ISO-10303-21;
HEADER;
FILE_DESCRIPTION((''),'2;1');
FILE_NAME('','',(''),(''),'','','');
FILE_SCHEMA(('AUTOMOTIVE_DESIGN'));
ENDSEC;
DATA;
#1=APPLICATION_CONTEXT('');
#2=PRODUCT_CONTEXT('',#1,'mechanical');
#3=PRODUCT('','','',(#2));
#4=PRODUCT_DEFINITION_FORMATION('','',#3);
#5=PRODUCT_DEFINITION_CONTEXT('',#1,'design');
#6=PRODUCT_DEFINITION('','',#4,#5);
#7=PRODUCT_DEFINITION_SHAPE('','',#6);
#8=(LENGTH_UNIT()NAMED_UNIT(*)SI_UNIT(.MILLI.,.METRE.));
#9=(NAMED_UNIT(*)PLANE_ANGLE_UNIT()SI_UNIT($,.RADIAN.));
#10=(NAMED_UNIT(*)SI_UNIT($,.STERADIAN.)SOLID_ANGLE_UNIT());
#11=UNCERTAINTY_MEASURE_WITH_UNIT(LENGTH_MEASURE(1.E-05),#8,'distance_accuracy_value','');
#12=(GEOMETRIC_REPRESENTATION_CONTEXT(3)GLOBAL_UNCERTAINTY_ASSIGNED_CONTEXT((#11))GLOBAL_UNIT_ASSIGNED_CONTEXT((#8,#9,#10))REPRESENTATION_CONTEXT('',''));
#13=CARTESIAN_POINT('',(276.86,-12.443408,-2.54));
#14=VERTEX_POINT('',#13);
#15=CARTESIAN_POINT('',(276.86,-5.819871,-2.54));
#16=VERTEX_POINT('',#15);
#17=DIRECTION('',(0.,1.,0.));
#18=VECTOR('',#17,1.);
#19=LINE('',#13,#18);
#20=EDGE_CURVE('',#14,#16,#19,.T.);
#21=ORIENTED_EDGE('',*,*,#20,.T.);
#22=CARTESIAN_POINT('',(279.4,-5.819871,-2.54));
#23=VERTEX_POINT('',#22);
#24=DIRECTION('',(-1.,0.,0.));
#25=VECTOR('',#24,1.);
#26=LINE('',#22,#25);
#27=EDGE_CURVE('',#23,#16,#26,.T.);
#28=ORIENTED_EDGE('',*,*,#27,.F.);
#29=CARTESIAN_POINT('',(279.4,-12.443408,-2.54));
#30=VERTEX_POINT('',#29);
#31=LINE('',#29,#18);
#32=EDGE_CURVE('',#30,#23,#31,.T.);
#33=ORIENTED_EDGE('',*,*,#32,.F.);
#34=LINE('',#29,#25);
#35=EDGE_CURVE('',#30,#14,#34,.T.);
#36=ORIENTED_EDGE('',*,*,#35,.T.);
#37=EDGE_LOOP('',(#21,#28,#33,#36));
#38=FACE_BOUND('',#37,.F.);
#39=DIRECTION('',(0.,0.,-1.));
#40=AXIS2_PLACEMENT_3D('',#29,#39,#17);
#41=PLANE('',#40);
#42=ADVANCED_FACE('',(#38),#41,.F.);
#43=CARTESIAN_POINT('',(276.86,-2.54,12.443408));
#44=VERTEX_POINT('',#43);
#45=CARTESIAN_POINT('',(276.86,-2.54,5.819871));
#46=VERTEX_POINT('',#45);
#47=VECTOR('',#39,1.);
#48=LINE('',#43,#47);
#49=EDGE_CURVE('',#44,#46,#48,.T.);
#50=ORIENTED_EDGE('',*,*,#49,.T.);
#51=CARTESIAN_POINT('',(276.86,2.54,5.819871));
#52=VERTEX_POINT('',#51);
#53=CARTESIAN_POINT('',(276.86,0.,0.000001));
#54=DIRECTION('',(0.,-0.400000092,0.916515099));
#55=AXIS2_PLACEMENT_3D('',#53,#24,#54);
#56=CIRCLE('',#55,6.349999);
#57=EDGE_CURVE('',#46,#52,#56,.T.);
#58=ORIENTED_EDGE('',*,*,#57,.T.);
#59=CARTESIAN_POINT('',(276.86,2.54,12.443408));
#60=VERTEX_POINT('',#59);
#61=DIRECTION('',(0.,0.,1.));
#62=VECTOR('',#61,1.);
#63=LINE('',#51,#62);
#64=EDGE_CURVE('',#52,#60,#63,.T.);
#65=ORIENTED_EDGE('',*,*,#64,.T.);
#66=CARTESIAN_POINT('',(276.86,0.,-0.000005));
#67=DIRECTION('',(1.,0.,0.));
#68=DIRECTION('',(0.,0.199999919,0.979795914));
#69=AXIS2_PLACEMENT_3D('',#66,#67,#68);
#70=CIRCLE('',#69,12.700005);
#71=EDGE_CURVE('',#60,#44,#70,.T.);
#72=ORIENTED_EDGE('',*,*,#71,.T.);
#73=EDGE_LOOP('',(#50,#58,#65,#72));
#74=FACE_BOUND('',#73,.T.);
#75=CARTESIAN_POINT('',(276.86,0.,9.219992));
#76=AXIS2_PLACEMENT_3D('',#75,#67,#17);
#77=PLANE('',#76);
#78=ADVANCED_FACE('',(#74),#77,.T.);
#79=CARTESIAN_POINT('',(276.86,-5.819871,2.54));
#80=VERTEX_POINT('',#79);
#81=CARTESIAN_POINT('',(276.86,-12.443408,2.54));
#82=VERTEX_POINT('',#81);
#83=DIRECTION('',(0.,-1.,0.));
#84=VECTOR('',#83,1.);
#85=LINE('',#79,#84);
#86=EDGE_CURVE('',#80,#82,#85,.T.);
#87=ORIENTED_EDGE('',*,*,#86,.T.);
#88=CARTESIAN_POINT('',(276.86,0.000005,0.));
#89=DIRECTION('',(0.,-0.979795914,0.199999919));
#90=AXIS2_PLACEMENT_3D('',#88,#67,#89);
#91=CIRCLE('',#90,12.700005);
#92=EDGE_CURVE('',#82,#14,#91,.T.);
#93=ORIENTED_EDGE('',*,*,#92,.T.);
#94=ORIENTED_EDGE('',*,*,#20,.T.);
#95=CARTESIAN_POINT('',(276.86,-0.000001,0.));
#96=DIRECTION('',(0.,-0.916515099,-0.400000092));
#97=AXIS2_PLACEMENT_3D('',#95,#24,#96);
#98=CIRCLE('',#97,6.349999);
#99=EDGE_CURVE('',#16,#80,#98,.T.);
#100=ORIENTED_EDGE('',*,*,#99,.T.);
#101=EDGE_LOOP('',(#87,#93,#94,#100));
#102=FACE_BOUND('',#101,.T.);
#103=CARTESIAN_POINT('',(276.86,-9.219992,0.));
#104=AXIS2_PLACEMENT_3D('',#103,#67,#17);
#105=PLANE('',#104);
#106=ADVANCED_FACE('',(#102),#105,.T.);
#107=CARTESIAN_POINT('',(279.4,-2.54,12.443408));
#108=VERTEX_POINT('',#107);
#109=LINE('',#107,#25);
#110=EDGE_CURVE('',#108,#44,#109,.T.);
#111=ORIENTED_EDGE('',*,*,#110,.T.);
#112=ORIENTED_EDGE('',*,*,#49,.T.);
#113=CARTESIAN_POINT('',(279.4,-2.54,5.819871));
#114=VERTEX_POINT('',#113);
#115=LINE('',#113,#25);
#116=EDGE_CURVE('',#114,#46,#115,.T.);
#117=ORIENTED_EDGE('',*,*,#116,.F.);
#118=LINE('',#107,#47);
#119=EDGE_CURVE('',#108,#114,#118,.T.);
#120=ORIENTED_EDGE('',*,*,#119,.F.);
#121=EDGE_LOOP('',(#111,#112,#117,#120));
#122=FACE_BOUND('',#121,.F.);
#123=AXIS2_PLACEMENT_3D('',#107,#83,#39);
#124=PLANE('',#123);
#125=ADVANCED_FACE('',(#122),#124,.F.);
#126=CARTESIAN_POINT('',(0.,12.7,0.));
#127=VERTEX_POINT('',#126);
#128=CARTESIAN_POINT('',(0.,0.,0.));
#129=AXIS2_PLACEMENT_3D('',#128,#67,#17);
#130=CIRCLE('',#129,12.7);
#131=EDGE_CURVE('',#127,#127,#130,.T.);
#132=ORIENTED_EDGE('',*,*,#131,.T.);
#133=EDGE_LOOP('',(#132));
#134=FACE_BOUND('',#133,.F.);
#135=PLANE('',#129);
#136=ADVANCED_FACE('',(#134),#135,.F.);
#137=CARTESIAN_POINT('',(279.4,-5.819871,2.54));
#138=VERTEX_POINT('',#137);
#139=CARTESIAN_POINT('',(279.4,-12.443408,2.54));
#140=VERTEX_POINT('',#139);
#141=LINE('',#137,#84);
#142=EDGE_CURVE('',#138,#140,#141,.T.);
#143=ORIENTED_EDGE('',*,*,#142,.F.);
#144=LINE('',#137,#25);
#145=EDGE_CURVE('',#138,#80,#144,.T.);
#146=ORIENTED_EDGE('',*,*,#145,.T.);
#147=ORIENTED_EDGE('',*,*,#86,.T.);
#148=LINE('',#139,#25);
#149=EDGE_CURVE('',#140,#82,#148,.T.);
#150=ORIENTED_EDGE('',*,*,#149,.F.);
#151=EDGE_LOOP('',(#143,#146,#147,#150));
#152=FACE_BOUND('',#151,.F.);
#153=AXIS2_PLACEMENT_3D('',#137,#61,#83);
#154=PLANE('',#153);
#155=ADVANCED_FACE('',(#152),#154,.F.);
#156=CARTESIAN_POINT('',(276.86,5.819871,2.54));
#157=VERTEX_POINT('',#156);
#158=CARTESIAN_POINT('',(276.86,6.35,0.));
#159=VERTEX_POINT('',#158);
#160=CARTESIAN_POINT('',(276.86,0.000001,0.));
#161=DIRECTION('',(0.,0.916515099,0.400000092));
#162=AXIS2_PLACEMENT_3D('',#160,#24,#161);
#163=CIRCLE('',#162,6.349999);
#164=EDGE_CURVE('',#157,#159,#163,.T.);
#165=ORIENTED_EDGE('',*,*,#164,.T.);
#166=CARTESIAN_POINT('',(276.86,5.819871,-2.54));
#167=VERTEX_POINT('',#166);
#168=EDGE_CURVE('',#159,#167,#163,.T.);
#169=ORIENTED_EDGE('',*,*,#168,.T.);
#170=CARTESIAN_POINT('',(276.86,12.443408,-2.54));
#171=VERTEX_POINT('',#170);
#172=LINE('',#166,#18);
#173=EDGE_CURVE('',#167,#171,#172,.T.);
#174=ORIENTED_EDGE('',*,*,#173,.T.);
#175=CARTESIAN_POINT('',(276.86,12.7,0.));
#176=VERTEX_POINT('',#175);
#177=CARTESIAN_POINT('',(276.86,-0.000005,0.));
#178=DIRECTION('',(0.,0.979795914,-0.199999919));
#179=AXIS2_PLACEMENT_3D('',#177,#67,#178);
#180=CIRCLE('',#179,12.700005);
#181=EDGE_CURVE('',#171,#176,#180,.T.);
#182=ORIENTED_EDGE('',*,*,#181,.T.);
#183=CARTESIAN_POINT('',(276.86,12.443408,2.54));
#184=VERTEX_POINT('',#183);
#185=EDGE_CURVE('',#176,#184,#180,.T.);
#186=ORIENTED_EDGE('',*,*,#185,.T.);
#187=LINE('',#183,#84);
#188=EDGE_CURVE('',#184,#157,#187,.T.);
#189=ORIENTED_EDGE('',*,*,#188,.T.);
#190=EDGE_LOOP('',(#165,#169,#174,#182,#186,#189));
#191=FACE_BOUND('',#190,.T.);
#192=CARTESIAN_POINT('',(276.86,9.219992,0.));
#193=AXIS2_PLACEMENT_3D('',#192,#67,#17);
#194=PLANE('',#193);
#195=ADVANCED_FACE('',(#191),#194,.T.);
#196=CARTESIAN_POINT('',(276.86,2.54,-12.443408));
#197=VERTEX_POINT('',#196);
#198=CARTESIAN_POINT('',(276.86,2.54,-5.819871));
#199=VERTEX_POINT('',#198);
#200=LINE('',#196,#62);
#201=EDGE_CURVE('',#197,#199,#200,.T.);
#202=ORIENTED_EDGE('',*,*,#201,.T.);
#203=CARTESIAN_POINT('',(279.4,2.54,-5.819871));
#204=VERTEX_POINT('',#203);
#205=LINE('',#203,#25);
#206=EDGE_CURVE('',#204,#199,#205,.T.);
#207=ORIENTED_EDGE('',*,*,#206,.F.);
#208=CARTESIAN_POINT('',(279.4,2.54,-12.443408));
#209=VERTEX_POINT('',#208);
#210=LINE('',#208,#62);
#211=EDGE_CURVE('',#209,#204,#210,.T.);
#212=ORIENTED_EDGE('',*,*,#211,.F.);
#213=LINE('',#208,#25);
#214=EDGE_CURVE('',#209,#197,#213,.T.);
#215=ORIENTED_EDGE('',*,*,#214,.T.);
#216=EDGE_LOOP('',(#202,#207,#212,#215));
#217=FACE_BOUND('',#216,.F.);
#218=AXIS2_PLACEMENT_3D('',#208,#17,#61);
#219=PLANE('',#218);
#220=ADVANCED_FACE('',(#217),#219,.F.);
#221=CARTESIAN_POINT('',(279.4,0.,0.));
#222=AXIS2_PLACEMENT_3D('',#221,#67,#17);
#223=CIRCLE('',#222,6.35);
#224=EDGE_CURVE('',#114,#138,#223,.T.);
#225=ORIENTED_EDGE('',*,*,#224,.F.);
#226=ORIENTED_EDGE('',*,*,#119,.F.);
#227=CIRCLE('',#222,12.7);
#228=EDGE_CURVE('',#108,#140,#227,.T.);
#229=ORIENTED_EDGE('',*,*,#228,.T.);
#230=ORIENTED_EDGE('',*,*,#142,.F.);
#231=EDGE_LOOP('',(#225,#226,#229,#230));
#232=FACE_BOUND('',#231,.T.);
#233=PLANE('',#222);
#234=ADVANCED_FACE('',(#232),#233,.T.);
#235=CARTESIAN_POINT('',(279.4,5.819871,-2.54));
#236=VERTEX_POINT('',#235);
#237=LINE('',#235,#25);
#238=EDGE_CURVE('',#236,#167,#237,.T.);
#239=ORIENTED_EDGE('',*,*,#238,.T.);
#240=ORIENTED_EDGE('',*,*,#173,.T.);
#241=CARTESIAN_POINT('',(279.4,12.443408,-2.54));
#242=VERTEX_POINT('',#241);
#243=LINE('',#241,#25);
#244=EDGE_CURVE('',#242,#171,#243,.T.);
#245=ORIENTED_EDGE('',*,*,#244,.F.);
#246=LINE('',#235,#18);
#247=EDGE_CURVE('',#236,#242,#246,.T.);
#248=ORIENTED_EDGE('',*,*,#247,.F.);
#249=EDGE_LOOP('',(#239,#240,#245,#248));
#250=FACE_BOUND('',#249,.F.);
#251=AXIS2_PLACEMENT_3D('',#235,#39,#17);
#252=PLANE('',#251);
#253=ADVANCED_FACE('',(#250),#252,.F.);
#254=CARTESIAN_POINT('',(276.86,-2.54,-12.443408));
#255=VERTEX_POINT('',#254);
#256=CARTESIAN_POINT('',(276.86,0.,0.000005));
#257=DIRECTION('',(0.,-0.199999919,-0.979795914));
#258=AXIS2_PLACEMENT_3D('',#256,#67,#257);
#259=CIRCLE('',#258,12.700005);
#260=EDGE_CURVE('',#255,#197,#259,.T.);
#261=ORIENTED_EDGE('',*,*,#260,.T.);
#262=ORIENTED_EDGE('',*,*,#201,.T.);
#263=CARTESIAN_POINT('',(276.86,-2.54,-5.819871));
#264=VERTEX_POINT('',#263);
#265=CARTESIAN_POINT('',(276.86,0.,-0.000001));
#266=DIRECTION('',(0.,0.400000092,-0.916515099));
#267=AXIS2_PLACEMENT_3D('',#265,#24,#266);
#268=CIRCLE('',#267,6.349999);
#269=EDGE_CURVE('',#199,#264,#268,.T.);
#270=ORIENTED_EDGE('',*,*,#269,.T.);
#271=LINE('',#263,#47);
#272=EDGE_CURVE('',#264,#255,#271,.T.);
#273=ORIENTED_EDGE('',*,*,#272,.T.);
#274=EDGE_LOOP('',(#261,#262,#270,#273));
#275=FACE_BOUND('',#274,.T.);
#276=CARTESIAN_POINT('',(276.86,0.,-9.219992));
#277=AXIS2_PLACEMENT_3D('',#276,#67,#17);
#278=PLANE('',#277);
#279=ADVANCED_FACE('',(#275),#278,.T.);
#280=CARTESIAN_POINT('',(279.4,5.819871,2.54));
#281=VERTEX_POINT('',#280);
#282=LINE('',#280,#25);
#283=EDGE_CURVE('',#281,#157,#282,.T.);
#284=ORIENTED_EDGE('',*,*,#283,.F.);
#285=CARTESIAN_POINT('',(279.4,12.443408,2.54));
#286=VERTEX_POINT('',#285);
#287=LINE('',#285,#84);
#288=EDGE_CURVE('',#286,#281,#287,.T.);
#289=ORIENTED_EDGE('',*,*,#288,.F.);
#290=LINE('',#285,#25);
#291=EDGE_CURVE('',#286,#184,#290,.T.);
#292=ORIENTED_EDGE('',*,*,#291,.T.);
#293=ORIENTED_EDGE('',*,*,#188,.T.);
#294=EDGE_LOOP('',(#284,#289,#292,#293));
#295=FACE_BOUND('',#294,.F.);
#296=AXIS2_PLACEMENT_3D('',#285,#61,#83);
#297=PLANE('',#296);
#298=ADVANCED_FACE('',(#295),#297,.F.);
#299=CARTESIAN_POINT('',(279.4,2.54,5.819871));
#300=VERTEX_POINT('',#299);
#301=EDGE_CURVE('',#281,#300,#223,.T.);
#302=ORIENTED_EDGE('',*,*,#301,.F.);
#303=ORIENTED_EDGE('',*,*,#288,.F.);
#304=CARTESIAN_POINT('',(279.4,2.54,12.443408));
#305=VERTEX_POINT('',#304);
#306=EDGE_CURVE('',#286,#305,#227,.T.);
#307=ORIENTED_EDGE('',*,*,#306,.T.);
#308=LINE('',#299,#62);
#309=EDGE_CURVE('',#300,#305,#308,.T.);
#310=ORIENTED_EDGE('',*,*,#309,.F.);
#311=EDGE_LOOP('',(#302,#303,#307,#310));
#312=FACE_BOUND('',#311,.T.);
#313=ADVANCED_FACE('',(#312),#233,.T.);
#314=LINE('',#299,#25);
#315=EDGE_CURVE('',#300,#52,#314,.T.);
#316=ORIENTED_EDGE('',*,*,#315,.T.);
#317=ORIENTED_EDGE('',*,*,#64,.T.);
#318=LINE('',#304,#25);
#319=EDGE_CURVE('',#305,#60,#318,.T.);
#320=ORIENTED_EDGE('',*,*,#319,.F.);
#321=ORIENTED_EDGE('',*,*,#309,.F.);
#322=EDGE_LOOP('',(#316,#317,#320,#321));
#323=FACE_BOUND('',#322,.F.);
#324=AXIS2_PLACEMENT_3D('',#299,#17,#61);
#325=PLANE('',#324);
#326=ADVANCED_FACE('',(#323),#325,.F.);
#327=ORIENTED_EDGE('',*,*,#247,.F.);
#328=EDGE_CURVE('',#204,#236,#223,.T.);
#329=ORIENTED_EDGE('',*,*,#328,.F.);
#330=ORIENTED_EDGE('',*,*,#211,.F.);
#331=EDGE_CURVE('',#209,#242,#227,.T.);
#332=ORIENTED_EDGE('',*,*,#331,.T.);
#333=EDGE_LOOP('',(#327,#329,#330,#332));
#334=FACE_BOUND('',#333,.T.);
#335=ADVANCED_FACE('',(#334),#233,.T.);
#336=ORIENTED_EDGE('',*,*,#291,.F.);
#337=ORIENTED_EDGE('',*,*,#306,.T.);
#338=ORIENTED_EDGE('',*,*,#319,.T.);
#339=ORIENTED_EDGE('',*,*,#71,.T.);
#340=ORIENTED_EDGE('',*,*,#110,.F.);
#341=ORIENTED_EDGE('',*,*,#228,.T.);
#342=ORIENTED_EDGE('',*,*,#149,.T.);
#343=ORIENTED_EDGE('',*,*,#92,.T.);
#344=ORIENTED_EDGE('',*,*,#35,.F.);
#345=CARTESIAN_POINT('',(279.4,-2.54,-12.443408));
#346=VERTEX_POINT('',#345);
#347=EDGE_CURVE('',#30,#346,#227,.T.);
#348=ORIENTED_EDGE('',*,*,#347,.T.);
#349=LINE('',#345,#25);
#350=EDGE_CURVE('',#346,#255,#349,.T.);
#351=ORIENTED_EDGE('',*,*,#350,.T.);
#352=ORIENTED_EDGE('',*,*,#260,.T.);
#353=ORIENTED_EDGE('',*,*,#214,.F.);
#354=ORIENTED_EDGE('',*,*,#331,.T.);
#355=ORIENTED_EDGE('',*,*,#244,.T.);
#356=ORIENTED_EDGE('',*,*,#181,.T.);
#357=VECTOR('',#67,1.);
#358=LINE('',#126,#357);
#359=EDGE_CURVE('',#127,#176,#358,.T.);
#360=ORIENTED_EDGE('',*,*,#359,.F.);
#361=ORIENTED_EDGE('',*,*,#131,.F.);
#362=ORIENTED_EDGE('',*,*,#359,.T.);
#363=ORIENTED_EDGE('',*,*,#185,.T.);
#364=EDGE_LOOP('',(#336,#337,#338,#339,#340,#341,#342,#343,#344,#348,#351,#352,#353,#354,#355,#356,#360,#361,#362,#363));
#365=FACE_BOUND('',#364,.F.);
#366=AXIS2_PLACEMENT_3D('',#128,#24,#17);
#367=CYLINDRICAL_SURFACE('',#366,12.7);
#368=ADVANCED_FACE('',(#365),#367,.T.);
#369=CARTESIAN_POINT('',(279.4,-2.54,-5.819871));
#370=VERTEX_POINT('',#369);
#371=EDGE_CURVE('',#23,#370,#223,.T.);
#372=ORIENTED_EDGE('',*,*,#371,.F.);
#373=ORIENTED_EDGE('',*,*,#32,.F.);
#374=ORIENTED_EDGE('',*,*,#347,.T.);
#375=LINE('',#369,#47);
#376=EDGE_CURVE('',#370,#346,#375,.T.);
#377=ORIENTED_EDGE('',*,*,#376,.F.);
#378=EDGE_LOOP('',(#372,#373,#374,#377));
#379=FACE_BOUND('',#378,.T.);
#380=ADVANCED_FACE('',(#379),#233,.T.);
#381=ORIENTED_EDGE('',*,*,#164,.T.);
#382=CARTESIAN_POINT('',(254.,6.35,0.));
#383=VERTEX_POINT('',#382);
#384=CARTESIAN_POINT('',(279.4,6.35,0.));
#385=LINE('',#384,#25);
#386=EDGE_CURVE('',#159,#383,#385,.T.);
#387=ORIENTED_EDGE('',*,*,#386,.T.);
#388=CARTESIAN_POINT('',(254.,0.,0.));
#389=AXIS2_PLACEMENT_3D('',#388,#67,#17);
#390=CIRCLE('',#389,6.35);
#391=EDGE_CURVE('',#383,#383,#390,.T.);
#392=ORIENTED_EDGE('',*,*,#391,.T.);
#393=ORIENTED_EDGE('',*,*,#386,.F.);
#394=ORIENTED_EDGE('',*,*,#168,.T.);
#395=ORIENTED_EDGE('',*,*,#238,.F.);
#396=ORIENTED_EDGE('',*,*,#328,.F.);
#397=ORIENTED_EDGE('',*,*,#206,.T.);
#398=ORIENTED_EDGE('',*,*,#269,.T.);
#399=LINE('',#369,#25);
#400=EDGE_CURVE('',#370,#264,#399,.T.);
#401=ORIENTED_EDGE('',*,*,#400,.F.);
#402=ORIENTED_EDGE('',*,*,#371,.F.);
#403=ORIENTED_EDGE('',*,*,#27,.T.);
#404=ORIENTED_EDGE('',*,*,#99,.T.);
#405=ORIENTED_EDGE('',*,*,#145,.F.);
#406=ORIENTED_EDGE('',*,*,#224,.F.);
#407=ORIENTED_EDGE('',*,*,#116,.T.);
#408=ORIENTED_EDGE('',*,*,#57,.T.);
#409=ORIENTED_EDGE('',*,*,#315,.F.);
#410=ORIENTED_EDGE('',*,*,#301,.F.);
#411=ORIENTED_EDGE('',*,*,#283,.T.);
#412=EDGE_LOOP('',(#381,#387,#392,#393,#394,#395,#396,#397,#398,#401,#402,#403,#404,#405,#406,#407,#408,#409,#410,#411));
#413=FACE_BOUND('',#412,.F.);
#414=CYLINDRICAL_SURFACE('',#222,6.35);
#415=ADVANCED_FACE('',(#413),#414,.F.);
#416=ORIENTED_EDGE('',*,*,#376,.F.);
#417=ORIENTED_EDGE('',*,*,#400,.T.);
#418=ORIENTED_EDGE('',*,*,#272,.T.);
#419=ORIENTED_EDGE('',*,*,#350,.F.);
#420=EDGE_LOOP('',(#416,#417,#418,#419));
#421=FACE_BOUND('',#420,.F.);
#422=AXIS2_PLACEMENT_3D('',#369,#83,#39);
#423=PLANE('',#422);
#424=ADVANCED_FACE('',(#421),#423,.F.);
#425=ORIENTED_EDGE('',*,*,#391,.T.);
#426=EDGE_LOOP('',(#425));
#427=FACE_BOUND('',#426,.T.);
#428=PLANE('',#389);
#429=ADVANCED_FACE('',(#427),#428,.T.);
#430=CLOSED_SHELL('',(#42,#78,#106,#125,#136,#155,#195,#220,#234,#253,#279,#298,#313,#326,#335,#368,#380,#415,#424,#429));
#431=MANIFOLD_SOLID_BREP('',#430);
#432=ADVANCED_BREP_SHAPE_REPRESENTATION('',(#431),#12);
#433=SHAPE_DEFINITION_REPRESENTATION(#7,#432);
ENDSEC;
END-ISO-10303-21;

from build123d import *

# Parameters (mm, degrees)
F0_R     = 12.7
F1_DEPTH = 279.4
F2_R     = 6.35
F3_DEPTH = 25.4
F5_DEPTH = 2.54


with BuildPart() as f1:
    # F0 (on Right) → F1 (new body)
    with BuildSketch(Plane.YZ):
        Circle(F0_R)
    extrude(amount=F1_DEPTH)

    # F2 (on face) → F3 (cut)
    with BuildSketch(Plane.YZ.offset(279.4)):
        Circle(F2_R)
    extrude(amount=-F3_DEPTH, mode=Mode.SUBTRACT)

    # F4 (on face) → F5 (cut)
    with BuildSketch(Plane.YZ.offset(279.4)):
        with BuildLine():
            Line((12.443408, 2.54), (5.819871, 2.54))
            ThreePointArc((5.819871, 2.54), (6.35, 0), (5.819871, -2.54))
            Line((5.819871, -2.54), (12.443408, -2.54))
            ThreePointArc((12.443408, -2.54), (12.7, 0), (12.443408, 2.54))
        make_face()
        with BuildLine():
            ThreePointArc((2.54, 12.443408), (0, 12.7), (-2.54, 12.443408))
            Line((-2.54, 12.443408), (-2.54, 5.819871))
            ThreePointArc((-2.54, 5.819871), (0, 6.35), (2.54, 5.819871))
            Line((2.54, 5.819871), (2.54, 12.443408))
        make_face()
        with BuildLine():
            ThreePointArc((-12.443408, 2.54), (-12.7, 0), (-12.443408, -2.54))
            Line((-12.443408, -2.54), (-5.819871, -2.54))
            ThreePointArc((-5.819871, -2.54), (-6.35, 0), (-5.819871, 2.54))
            Line((-5.819871, 2.54), (-12.443408, 2.54))
        make_face()
        with BuildLine():
            ThreePointArc((2.54, -5.819871), (0, -6.35), (-2.54, -5.819871))
            Line((-2.54, -5.819871), (-2.54, -12.443408))
            ThreePointArc((-2.54, -12.443408), (0, -12.7), (2.54, -12.443408))
            Line((2.54, -12.443408), (2.54, -5.819871))
        make_face()
    extrude(amount=-F5_DEPTH, mode=Mode.SUBTRACT)


solid = f1.part
